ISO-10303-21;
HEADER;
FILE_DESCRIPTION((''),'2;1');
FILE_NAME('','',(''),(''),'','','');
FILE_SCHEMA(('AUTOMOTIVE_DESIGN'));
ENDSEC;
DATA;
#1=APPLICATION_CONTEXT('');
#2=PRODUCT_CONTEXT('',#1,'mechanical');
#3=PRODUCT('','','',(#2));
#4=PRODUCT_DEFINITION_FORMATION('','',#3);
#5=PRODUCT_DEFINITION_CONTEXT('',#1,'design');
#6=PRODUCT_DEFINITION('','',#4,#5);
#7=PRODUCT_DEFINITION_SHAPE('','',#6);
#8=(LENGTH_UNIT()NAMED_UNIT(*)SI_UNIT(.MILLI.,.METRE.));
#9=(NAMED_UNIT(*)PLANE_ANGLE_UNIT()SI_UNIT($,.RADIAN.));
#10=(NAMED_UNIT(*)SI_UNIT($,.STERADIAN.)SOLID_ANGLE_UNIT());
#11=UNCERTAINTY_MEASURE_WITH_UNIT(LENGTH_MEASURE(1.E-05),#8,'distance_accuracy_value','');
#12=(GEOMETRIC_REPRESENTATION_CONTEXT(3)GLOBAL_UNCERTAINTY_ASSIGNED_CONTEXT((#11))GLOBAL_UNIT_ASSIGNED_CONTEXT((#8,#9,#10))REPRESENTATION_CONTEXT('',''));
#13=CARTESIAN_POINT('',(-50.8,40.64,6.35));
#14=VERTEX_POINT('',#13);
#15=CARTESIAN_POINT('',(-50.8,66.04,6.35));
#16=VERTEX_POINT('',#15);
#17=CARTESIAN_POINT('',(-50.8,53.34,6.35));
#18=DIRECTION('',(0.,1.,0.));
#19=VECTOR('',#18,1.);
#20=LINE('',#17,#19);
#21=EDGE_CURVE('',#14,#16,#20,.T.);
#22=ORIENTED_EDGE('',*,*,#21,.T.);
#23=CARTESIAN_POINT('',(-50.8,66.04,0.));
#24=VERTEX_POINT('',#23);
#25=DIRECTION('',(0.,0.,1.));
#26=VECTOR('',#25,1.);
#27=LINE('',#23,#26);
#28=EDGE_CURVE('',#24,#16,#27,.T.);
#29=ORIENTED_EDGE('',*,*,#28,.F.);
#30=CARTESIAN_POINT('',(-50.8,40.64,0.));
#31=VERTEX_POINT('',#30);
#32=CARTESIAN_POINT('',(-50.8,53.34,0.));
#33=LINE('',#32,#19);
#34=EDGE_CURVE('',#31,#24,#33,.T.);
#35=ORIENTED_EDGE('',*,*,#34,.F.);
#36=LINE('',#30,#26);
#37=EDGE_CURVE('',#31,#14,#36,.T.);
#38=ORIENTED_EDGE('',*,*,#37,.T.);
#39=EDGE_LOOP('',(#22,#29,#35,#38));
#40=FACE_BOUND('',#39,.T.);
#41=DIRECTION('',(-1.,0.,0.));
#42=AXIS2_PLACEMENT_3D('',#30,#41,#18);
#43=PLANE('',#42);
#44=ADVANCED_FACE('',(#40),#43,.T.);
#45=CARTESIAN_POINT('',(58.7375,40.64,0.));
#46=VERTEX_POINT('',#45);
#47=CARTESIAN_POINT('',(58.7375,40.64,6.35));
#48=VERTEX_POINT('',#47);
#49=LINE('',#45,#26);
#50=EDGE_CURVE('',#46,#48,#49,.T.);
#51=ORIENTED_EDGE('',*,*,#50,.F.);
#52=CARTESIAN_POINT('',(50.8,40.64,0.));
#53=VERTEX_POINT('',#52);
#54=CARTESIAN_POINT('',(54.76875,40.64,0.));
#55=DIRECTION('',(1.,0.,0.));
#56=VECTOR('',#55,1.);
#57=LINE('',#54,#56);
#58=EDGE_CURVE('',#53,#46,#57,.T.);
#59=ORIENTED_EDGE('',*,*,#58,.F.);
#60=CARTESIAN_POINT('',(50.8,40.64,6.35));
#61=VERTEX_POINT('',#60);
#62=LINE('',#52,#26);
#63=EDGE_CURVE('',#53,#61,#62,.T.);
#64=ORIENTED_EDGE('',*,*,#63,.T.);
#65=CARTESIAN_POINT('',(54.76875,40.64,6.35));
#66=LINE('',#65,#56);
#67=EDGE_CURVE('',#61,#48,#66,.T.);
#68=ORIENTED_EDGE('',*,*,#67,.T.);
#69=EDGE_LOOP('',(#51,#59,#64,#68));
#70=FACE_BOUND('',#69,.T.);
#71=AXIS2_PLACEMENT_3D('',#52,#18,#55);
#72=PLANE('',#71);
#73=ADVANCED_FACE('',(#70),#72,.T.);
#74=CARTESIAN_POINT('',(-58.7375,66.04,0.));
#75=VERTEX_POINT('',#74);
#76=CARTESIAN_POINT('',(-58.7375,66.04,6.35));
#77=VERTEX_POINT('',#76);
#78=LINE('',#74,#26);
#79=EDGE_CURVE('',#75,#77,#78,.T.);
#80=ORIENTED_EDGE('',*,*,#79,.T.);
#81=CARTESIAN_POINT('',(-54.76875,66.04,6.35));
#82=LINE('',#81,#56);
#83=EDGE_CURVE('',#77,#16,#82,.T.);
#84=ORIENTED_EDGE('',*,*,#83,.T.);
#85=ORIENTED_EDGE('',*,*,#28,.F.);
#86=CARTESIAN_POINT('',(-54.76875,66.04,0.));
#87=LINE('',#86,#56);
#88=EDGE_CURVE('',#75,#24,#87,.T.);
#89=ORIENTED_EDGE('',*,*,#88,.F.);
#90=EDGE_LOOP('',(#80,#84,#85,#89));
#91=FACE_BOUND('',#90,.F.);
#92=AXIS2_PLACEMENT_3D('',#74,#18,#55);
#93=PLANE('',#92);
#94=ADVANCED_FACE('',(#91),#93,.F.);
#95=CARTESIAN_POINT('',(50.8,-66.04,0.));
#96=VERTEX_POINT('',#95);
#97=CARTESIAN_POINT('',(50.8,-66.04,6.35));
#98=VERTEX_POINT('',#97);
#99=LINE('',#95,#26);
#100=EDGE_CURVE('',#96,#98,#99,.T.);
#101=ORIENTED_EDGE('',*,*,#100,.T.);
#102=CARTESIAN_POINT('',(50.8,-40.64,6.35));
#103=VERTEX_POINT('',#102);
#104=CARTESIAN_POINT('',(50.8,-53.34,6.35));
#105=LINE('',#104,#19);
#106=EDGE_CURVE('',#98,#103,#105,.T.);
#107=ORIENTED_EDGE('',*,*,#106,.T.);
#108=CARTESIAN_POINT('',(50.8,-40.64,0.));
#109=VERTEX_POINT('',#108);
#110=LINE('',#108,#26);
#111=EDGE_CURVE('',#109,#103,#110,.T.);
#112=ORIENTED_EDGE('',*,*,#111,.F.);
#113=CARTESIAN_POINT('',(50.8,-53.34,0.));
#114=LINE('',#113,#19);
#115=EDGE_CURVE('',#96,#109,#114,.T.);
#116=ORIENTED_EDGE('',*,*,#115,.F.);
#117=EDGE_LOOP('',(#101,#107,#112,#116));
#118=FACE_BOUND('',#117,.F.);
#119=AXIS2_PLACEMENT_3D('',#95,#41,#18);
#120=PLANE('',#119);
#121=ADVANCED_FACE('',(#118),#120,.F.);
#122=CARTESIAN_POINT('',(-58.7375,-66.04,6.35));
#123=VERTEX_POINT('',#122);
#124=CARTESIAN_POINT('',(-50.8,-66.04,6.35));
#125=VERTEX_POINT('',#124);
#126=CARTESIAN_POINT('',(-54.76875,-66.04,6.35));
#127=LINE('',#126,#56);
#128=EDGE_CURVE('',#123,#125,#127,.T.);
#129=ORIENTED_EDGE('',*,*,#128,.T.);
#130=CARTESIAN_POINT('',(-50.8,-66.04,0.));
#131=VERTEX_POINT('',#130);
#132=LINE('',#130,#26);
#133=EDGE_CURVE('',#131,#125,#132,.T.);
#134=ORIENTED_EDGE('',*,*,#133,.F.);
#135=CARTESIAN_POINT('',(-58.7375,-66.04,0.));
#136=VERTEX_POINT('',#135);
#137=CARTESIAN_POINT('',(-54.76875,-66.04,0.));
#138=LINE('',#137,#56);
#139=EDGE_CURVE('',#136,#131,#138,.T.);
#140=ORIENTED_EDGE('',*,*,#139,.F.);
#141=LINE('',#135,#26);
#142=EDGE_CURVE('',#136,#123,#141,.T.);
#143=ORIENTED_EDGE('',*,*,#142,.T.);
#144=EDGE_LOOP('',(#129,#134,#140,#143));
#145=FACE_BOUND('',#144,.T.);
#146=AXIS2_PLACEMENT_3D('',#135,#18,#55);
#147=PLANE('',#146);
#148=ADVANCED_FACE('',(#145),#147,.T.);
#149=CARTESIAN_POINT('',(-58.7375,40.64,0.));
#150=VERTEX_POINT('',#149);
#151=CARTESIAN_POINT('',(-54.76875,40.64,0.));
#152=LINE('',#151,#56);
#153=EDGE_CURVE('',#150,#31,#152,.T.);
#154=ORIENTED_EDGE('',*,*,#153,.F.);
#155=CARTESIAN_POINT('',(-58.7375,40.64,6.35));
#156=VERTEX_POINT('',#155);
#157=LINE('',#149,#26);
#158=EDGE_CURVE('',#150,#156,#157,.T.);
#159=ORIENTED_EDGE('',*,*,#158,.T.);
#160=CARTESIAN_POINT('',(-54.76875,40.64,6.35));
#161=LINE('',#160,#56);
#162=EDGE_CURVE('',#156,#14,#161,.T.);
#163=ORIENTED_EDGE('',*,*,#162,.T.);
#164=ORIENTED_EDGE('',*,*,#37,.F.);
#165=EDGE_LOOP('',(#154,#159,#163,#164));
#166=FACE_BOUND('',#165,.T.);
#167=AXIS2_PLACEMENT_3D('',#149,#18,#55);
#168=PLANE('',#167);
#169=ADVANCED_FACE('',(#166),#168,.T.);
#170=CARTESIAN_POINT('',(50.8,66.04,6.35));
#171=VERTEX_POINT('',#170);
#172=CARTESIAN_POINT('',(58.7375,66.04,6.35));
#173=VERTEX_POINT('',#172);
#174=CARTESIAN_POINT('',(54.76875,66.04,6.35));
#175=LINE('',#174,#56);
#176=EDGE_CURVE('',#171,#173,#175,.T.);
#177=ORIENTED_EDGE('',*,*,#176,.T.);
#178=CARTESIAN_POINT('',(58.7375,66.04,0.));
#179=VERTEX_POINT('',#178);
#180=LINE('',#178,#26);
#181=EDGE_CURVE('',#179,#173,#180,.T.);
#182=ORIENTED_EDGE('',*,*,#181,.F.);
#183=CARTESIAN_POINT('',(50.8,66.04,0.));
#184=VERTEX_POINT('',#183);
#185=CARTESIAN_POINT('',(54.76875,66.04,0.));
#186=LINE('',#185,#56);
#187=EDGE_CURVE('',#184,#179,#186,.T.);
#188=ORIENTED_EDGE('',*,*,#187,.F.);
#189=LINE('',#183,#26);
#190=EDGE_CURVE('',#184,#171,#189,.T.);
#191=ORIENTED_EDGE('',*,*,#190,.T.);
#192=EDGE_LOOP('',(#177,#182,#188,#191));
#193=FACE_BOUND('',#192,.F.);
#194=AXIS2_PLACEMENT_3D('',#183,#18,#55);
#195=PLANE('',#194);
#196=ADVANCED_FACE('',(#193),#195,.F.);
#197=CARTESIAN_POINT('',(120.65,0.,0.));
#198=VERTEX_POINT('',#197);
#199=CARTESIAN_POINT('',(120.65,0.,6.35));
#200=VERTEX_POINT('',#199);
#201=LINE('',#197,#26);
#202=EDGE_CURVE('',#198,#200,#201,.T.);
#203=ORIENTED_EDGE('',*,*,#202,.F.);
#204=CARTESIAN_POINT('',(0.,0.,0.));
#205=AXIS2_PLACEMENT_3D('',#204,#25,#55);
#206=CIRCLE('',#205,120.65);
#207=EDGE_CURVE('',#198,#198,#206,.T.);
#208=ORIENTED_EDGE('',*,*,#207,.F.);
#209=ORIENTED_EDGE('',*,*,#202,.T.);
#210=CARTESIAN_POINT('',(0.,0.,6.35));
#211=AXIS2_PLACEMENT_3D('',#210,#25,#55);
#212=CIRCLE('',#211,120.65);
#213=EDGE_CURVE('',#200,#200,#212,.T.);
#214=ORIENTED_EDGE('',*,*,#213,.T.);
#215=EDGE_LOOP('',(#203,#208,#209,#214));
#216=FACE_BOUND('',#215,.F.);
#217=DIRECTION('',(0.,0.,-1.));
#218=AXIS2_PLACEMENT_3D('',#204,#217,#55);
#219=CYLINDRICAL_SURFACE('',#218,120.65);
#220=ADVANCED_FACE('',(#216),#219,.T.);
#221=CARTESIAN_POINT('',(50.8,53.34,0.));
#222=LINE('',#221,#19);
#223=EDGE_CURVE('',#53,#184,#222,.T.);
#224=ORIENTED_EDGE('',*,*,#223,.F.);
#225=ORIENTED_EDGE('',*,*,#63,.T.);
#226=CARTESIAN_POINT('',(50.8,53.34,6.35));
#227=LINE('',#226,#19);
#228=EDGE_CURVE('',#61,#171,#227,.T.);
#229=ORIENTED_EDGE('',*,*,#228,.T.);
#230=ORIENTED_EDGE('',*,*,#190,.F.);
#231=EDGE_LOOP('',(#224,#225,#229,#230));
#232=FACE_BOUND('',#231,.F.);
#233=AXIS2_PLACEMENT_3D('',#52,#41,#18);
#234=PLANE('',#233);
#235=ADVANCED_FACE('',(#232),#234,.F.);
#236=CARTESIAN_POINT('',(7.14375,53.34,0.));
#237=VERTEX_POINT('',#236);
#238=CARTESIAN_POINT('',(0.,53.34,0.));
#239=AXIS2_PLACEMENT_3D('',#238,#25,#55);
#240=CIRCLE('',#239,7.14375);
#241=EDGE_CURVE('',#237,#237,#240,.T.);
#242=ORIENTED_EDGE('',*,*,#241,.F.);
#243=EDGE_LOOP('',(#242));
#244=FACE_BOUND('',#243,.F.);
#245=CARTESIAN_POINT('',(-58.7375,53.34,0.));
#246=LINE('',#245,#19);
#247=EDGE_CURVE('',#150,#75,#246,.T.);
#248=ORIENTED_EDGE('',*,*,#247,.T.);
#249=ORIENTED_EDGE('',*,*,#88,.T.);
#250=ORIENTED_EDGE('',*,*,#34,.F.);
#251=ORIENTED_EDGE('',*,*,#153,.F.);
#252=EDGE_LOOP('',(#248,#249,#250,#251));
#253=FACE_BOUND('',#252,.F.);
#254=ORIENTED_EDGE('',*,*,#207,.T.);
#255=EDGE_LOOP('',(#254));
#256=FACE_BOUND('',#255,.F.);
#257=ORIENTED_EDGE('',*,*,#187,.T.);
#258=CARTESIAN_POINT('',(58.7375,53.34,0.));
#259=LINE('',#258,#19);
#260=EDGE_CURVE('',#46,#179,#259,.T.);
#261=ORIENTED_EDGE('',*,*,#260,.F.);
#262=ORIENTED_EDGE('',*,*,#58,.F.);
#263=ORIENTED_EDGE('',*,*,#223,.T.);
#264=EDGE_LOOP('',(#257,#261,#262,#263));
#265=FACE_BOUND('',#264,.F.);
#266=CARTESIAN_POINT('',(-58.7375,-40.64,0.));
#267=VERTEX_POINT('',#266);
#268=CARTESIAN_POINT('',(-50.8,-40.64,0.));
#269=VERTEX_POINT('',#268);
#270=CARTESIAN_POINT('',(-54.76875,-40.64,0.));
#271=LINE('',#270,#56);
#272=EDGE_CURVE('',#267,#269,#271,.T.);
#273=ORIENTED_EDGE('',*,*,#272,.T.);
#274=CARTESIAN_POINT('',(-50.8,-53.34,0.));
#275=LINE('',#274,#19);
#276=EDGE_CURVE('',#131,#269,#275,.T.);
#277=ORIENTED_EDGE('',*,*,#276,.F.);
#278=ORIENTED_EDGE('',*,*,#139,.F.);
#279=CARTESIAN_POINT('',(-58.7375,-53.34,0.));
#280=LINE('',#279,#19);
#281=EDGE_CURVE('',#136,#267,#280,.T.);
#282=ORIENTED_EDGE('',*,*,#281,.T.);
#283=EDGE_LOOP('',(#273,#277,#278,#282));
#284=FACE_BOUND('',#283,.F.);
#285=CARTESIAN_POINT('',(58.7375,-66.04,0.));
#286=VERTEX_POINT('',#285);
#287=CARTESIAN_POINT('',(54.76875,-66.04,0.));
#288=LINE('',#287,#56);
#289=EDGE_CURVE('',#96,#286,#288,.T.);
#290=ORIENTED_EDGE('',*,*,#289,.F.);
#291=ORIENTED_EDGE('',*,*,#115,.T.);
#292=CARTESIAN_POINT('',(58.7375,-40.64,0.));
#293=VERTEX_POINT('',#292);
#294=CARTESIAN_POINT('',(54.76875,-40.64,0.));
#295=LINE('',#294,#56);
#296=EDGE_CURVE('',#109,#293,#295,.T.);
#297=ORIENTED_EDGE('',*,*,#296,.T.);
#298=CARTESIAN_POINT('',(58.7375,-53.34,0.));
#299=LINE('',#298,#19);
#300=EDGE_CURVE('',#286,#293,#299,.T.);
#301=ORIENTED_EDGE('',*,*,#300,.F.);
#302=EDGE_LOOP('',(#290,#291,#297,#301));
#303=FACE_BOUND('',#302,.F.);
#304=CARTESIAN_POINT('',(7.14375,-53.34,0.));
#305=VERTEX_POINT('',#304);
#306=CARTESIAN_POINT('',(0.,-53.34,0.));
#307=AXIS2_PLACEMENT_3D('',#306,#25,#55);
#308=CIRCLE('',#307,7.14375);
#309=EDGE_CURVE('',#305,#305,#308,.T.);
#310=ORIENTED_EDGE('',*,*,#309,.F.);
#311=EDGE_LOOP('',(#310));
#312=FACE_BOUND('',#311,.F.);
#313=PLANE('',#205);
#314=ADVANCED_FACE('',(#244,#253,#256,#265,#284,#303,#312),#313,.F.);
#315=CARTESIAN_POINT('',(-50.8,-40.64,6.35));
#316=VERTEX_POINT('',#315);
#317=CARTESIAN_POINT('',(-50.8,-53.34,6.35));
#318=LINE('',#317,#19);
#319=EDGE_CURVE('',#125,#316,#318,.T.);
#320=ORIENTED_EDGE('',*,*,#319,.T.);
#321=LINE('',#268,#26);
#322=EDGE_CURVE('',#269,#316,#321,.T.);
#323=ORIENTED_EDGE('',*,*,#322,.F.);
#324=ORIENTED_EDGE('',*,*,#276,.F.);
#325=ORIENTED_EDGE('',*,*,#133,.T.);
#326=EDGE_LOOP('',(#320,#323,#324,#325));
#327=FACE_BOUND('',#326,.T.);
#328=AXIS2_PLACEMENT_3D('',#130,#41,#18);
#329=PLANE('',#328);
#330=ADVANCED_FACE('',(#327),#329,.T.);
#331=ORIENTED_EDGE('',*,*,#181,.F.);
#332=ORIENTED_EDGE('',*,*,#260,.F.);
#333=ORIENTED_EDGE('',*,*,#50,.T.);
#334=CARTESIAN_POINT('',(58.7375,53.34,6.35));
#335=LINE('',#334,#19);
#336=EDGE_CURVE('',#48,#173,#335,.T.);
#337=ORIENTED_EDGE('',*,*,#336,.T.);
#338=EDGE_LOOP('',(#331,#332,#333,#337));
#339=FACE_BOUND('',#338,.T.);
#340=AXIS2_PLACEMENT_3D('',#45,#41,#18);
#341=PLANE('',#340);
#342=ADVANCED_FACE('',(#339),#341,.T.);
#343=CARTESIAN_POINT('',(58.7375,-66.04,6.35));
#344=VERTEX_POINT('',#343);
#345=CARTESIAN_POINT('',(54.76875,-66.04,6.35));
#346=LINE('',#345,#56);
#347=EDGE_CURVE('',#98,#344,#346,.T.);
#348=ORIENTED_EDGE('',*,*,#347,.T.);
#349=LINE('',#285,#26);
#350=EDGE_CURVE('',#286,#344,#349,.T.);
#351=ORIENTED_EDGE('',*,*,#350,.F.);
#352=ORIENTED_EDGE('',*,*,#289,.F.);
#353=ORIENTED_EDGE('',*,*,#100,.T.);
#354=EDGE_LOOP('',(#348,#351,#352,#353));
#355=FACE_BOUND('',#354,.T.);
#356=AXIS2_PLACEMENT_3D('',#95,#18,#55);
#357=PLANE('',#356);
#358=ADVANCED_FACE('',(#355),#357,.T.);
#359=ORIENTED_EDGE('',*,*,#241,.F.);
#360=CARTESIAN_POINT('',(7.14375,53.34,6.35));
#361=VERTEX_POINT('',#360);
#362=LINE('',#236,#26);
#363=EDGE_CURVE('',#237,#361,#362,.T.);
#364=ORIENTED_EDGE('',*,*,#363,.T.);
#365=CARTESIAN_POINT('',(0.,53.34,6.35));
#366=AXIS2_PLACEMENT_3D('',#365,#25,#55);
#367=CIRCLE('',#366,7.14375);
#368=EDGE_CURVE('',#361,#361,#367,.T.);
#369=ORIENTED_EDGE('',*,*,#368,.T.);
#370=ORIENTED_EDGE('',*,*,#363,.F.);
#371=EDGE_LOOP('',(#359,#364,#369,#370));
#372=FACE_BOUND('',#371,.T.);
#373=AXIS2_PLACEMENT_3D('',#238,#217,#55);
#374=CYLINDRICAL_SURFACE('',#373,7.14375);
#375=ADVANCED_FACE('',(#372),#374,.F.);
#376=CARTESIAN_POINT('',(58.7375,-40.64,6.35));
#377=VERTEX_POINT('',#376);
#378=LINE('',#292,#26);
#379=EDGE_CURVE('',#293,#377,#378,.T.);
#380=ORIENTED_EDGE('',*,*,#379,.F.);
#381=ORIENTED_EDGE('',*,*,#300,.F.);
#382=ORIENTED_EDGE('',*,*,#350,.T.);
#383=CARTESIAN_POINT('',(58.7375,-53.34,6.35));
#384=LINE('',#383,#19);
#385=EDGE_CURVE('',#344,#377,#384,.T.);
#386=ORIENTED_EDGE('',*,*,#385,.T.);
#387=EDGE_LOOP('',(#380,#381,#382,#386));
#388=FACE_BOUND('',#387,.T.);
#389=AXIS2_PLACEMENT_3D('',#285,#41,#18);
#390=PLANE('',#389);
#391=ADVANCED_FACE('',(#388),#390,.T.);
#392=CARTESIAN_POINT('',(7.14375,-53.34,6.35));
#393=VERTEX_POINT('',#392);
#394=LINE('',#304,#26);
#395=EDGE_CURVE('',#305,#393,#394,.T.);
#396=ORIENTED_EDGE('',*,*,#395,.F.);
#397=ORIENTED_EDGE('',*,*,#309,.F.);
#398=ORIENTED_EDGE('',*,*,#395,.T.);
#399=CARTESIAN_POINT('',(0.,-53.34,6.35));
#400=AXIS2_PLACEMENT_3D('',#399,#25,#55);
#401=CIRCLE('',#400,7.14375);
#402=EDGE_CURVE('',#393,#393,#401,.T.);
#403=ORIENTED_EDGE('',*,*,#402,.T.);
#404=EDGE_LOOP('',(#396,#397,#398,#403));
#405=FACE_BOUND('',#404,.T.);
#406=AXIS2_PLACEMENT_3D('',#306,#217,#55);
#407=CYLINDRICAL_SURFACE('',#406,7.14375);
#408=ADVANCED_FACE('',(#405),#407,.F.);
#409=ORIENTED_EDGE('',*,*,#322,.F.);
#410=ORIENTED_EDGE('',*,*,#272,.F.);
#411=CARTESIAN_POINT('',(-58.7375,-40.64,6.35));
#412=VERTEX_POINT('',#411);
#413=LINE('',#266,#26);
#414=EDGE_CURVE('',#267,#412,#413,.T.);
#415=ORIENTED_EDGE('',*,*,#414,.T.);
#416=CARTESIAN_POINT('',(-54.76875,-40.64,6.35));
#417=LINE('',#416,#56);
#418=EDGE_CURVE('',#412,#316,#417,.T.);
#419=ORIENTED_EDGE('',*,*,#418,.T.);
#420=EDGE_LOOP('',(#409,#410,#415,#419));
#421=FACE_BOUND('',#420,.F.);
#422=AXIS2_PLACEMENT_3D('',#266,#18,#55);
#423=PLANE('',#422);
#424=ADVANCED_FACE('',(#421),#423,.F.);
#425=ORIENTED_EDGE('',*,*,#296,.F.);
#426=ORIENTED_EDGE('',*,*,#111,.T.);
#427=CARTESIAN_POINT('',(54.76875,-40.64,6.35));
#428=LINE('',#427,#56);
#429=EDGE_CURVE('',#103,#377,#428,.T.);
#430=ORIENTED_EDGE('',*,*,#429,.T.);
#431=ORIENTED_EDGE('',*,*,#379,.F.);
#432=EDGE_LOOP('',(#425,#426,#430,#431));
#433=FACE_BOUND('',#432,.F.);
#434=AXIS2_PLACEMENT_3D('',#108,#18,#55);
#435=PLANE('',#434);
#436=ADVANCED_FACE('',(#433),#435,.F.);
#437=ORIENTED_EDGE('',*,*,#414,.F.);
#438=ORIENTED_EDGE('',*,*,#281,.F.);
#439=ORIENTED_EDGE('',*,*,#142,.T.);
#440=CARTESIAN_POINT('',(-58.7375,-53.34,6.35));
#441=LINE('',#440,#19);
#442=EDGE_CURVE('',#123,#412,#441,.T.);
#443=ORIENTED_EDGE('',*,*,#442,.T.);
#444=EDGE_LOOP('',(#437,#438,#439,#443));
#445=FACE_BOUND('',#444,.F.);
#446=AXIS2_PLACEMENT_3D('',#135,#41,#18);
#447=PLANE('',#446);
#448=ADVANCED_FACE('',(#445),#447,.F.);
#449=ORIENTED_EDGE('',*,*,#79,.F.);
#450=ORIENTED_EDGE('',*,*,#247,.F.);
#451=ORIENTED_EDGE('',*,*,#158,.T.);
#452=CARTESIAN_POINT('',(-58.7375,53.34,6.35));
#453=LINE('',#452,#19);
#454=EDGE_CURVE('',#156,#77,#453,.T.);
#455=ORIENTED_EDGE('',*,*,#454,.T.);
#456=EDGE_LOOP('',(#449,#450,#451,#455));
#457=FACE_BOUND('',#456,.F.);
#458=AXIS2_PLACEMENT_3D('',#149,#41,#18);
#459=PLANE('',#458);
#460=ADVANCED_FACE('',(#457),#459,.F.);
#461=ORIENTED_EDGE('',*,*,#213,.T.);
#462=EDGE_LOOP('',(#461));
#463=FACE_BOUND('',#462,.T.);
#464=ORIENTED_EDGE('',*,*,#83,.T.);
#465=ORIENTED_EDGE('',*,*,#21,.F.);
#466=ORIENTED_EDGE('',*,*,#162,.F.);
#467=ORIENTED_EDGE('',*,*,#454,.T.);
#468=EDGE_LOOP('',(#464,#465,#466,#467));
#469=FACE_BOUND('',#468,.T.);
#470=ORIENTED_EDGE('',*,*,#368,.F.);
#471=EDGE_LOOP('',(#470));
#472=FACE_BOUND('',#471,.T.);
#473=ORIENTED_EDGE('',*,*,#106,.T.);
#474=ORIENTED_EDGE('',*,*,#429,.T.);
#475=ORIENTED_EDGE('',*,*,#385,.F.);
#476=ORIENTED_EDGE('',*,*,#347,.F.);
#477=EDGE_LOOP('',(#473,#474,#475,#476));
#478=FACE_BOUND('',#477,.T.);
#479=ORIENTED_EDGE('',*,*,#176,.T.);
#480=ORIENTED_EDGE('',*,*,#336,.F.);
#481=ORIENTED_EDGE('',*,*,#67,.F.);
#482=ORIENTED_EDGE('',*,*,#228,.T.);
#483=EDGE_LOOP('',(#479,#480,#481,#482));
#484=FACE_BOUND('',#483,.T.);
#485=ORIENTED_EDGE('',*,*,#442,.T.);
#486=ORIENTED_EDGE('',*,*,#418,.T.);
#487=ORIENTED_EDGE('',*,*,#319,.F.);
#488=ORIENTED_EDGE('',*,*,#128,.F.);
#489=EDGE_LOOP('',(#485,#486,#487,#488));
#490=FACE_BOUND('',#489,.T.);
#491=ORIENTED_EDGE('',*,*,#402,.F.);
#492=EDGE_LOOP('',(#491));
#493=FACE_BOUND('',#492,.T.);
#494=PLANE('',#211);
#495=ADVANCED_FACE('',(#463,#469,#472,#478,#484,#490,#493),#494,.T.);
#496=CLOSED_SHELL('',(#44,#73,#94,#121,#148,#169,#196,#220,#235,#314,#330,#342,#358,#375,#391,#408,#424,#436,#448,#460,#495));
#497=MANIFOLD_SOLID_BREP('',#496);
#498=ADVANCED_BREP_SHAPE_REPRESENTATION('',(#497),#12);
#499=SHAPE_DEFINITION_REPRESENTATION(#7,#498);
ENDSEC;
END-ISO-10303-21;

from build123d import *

# Parameters (mm, degrees)
F0_R     = 120.65
F0_W     = 7.9375
F0_H     = 25.4
F0_R_2   = 7.14375
F1_DEPTH = 6.35


with BuildPart() as f1:
    # F0 (on Top) → F1 (new body)
    with BuildSketch(Plane.XY):
        Circle(F0_R)
        with Locations((-54.76875, -53.34)):
            Rectangle(F0_W, F0_H, mode=Mode.SUBTRACT)
        with Locations((0, -53.34)):
            Circle(F0_R_2, mode=Mode.SUBTRACT)
        with Locations((54.76875, -53.34)):
            Rectangle(F0_W, F0_H, mode=Mode.SUBTRACT)
        with Locations((-54.76875, 53.34)):
            Rectangle(F0_W, F0_H, mode=Mode.SUBTRACT)
        with Locations((0, 53.34)):
            Circle(F0_R_2, mode=Mode.SUBTRACT)
        with Locations((54.76875, 53.34)):
            Rectangle(F0_W, F0_H, mode=Mode.SUBTRACT)
    extrude(amount=F1_DEPTH)


solid = f1.part
